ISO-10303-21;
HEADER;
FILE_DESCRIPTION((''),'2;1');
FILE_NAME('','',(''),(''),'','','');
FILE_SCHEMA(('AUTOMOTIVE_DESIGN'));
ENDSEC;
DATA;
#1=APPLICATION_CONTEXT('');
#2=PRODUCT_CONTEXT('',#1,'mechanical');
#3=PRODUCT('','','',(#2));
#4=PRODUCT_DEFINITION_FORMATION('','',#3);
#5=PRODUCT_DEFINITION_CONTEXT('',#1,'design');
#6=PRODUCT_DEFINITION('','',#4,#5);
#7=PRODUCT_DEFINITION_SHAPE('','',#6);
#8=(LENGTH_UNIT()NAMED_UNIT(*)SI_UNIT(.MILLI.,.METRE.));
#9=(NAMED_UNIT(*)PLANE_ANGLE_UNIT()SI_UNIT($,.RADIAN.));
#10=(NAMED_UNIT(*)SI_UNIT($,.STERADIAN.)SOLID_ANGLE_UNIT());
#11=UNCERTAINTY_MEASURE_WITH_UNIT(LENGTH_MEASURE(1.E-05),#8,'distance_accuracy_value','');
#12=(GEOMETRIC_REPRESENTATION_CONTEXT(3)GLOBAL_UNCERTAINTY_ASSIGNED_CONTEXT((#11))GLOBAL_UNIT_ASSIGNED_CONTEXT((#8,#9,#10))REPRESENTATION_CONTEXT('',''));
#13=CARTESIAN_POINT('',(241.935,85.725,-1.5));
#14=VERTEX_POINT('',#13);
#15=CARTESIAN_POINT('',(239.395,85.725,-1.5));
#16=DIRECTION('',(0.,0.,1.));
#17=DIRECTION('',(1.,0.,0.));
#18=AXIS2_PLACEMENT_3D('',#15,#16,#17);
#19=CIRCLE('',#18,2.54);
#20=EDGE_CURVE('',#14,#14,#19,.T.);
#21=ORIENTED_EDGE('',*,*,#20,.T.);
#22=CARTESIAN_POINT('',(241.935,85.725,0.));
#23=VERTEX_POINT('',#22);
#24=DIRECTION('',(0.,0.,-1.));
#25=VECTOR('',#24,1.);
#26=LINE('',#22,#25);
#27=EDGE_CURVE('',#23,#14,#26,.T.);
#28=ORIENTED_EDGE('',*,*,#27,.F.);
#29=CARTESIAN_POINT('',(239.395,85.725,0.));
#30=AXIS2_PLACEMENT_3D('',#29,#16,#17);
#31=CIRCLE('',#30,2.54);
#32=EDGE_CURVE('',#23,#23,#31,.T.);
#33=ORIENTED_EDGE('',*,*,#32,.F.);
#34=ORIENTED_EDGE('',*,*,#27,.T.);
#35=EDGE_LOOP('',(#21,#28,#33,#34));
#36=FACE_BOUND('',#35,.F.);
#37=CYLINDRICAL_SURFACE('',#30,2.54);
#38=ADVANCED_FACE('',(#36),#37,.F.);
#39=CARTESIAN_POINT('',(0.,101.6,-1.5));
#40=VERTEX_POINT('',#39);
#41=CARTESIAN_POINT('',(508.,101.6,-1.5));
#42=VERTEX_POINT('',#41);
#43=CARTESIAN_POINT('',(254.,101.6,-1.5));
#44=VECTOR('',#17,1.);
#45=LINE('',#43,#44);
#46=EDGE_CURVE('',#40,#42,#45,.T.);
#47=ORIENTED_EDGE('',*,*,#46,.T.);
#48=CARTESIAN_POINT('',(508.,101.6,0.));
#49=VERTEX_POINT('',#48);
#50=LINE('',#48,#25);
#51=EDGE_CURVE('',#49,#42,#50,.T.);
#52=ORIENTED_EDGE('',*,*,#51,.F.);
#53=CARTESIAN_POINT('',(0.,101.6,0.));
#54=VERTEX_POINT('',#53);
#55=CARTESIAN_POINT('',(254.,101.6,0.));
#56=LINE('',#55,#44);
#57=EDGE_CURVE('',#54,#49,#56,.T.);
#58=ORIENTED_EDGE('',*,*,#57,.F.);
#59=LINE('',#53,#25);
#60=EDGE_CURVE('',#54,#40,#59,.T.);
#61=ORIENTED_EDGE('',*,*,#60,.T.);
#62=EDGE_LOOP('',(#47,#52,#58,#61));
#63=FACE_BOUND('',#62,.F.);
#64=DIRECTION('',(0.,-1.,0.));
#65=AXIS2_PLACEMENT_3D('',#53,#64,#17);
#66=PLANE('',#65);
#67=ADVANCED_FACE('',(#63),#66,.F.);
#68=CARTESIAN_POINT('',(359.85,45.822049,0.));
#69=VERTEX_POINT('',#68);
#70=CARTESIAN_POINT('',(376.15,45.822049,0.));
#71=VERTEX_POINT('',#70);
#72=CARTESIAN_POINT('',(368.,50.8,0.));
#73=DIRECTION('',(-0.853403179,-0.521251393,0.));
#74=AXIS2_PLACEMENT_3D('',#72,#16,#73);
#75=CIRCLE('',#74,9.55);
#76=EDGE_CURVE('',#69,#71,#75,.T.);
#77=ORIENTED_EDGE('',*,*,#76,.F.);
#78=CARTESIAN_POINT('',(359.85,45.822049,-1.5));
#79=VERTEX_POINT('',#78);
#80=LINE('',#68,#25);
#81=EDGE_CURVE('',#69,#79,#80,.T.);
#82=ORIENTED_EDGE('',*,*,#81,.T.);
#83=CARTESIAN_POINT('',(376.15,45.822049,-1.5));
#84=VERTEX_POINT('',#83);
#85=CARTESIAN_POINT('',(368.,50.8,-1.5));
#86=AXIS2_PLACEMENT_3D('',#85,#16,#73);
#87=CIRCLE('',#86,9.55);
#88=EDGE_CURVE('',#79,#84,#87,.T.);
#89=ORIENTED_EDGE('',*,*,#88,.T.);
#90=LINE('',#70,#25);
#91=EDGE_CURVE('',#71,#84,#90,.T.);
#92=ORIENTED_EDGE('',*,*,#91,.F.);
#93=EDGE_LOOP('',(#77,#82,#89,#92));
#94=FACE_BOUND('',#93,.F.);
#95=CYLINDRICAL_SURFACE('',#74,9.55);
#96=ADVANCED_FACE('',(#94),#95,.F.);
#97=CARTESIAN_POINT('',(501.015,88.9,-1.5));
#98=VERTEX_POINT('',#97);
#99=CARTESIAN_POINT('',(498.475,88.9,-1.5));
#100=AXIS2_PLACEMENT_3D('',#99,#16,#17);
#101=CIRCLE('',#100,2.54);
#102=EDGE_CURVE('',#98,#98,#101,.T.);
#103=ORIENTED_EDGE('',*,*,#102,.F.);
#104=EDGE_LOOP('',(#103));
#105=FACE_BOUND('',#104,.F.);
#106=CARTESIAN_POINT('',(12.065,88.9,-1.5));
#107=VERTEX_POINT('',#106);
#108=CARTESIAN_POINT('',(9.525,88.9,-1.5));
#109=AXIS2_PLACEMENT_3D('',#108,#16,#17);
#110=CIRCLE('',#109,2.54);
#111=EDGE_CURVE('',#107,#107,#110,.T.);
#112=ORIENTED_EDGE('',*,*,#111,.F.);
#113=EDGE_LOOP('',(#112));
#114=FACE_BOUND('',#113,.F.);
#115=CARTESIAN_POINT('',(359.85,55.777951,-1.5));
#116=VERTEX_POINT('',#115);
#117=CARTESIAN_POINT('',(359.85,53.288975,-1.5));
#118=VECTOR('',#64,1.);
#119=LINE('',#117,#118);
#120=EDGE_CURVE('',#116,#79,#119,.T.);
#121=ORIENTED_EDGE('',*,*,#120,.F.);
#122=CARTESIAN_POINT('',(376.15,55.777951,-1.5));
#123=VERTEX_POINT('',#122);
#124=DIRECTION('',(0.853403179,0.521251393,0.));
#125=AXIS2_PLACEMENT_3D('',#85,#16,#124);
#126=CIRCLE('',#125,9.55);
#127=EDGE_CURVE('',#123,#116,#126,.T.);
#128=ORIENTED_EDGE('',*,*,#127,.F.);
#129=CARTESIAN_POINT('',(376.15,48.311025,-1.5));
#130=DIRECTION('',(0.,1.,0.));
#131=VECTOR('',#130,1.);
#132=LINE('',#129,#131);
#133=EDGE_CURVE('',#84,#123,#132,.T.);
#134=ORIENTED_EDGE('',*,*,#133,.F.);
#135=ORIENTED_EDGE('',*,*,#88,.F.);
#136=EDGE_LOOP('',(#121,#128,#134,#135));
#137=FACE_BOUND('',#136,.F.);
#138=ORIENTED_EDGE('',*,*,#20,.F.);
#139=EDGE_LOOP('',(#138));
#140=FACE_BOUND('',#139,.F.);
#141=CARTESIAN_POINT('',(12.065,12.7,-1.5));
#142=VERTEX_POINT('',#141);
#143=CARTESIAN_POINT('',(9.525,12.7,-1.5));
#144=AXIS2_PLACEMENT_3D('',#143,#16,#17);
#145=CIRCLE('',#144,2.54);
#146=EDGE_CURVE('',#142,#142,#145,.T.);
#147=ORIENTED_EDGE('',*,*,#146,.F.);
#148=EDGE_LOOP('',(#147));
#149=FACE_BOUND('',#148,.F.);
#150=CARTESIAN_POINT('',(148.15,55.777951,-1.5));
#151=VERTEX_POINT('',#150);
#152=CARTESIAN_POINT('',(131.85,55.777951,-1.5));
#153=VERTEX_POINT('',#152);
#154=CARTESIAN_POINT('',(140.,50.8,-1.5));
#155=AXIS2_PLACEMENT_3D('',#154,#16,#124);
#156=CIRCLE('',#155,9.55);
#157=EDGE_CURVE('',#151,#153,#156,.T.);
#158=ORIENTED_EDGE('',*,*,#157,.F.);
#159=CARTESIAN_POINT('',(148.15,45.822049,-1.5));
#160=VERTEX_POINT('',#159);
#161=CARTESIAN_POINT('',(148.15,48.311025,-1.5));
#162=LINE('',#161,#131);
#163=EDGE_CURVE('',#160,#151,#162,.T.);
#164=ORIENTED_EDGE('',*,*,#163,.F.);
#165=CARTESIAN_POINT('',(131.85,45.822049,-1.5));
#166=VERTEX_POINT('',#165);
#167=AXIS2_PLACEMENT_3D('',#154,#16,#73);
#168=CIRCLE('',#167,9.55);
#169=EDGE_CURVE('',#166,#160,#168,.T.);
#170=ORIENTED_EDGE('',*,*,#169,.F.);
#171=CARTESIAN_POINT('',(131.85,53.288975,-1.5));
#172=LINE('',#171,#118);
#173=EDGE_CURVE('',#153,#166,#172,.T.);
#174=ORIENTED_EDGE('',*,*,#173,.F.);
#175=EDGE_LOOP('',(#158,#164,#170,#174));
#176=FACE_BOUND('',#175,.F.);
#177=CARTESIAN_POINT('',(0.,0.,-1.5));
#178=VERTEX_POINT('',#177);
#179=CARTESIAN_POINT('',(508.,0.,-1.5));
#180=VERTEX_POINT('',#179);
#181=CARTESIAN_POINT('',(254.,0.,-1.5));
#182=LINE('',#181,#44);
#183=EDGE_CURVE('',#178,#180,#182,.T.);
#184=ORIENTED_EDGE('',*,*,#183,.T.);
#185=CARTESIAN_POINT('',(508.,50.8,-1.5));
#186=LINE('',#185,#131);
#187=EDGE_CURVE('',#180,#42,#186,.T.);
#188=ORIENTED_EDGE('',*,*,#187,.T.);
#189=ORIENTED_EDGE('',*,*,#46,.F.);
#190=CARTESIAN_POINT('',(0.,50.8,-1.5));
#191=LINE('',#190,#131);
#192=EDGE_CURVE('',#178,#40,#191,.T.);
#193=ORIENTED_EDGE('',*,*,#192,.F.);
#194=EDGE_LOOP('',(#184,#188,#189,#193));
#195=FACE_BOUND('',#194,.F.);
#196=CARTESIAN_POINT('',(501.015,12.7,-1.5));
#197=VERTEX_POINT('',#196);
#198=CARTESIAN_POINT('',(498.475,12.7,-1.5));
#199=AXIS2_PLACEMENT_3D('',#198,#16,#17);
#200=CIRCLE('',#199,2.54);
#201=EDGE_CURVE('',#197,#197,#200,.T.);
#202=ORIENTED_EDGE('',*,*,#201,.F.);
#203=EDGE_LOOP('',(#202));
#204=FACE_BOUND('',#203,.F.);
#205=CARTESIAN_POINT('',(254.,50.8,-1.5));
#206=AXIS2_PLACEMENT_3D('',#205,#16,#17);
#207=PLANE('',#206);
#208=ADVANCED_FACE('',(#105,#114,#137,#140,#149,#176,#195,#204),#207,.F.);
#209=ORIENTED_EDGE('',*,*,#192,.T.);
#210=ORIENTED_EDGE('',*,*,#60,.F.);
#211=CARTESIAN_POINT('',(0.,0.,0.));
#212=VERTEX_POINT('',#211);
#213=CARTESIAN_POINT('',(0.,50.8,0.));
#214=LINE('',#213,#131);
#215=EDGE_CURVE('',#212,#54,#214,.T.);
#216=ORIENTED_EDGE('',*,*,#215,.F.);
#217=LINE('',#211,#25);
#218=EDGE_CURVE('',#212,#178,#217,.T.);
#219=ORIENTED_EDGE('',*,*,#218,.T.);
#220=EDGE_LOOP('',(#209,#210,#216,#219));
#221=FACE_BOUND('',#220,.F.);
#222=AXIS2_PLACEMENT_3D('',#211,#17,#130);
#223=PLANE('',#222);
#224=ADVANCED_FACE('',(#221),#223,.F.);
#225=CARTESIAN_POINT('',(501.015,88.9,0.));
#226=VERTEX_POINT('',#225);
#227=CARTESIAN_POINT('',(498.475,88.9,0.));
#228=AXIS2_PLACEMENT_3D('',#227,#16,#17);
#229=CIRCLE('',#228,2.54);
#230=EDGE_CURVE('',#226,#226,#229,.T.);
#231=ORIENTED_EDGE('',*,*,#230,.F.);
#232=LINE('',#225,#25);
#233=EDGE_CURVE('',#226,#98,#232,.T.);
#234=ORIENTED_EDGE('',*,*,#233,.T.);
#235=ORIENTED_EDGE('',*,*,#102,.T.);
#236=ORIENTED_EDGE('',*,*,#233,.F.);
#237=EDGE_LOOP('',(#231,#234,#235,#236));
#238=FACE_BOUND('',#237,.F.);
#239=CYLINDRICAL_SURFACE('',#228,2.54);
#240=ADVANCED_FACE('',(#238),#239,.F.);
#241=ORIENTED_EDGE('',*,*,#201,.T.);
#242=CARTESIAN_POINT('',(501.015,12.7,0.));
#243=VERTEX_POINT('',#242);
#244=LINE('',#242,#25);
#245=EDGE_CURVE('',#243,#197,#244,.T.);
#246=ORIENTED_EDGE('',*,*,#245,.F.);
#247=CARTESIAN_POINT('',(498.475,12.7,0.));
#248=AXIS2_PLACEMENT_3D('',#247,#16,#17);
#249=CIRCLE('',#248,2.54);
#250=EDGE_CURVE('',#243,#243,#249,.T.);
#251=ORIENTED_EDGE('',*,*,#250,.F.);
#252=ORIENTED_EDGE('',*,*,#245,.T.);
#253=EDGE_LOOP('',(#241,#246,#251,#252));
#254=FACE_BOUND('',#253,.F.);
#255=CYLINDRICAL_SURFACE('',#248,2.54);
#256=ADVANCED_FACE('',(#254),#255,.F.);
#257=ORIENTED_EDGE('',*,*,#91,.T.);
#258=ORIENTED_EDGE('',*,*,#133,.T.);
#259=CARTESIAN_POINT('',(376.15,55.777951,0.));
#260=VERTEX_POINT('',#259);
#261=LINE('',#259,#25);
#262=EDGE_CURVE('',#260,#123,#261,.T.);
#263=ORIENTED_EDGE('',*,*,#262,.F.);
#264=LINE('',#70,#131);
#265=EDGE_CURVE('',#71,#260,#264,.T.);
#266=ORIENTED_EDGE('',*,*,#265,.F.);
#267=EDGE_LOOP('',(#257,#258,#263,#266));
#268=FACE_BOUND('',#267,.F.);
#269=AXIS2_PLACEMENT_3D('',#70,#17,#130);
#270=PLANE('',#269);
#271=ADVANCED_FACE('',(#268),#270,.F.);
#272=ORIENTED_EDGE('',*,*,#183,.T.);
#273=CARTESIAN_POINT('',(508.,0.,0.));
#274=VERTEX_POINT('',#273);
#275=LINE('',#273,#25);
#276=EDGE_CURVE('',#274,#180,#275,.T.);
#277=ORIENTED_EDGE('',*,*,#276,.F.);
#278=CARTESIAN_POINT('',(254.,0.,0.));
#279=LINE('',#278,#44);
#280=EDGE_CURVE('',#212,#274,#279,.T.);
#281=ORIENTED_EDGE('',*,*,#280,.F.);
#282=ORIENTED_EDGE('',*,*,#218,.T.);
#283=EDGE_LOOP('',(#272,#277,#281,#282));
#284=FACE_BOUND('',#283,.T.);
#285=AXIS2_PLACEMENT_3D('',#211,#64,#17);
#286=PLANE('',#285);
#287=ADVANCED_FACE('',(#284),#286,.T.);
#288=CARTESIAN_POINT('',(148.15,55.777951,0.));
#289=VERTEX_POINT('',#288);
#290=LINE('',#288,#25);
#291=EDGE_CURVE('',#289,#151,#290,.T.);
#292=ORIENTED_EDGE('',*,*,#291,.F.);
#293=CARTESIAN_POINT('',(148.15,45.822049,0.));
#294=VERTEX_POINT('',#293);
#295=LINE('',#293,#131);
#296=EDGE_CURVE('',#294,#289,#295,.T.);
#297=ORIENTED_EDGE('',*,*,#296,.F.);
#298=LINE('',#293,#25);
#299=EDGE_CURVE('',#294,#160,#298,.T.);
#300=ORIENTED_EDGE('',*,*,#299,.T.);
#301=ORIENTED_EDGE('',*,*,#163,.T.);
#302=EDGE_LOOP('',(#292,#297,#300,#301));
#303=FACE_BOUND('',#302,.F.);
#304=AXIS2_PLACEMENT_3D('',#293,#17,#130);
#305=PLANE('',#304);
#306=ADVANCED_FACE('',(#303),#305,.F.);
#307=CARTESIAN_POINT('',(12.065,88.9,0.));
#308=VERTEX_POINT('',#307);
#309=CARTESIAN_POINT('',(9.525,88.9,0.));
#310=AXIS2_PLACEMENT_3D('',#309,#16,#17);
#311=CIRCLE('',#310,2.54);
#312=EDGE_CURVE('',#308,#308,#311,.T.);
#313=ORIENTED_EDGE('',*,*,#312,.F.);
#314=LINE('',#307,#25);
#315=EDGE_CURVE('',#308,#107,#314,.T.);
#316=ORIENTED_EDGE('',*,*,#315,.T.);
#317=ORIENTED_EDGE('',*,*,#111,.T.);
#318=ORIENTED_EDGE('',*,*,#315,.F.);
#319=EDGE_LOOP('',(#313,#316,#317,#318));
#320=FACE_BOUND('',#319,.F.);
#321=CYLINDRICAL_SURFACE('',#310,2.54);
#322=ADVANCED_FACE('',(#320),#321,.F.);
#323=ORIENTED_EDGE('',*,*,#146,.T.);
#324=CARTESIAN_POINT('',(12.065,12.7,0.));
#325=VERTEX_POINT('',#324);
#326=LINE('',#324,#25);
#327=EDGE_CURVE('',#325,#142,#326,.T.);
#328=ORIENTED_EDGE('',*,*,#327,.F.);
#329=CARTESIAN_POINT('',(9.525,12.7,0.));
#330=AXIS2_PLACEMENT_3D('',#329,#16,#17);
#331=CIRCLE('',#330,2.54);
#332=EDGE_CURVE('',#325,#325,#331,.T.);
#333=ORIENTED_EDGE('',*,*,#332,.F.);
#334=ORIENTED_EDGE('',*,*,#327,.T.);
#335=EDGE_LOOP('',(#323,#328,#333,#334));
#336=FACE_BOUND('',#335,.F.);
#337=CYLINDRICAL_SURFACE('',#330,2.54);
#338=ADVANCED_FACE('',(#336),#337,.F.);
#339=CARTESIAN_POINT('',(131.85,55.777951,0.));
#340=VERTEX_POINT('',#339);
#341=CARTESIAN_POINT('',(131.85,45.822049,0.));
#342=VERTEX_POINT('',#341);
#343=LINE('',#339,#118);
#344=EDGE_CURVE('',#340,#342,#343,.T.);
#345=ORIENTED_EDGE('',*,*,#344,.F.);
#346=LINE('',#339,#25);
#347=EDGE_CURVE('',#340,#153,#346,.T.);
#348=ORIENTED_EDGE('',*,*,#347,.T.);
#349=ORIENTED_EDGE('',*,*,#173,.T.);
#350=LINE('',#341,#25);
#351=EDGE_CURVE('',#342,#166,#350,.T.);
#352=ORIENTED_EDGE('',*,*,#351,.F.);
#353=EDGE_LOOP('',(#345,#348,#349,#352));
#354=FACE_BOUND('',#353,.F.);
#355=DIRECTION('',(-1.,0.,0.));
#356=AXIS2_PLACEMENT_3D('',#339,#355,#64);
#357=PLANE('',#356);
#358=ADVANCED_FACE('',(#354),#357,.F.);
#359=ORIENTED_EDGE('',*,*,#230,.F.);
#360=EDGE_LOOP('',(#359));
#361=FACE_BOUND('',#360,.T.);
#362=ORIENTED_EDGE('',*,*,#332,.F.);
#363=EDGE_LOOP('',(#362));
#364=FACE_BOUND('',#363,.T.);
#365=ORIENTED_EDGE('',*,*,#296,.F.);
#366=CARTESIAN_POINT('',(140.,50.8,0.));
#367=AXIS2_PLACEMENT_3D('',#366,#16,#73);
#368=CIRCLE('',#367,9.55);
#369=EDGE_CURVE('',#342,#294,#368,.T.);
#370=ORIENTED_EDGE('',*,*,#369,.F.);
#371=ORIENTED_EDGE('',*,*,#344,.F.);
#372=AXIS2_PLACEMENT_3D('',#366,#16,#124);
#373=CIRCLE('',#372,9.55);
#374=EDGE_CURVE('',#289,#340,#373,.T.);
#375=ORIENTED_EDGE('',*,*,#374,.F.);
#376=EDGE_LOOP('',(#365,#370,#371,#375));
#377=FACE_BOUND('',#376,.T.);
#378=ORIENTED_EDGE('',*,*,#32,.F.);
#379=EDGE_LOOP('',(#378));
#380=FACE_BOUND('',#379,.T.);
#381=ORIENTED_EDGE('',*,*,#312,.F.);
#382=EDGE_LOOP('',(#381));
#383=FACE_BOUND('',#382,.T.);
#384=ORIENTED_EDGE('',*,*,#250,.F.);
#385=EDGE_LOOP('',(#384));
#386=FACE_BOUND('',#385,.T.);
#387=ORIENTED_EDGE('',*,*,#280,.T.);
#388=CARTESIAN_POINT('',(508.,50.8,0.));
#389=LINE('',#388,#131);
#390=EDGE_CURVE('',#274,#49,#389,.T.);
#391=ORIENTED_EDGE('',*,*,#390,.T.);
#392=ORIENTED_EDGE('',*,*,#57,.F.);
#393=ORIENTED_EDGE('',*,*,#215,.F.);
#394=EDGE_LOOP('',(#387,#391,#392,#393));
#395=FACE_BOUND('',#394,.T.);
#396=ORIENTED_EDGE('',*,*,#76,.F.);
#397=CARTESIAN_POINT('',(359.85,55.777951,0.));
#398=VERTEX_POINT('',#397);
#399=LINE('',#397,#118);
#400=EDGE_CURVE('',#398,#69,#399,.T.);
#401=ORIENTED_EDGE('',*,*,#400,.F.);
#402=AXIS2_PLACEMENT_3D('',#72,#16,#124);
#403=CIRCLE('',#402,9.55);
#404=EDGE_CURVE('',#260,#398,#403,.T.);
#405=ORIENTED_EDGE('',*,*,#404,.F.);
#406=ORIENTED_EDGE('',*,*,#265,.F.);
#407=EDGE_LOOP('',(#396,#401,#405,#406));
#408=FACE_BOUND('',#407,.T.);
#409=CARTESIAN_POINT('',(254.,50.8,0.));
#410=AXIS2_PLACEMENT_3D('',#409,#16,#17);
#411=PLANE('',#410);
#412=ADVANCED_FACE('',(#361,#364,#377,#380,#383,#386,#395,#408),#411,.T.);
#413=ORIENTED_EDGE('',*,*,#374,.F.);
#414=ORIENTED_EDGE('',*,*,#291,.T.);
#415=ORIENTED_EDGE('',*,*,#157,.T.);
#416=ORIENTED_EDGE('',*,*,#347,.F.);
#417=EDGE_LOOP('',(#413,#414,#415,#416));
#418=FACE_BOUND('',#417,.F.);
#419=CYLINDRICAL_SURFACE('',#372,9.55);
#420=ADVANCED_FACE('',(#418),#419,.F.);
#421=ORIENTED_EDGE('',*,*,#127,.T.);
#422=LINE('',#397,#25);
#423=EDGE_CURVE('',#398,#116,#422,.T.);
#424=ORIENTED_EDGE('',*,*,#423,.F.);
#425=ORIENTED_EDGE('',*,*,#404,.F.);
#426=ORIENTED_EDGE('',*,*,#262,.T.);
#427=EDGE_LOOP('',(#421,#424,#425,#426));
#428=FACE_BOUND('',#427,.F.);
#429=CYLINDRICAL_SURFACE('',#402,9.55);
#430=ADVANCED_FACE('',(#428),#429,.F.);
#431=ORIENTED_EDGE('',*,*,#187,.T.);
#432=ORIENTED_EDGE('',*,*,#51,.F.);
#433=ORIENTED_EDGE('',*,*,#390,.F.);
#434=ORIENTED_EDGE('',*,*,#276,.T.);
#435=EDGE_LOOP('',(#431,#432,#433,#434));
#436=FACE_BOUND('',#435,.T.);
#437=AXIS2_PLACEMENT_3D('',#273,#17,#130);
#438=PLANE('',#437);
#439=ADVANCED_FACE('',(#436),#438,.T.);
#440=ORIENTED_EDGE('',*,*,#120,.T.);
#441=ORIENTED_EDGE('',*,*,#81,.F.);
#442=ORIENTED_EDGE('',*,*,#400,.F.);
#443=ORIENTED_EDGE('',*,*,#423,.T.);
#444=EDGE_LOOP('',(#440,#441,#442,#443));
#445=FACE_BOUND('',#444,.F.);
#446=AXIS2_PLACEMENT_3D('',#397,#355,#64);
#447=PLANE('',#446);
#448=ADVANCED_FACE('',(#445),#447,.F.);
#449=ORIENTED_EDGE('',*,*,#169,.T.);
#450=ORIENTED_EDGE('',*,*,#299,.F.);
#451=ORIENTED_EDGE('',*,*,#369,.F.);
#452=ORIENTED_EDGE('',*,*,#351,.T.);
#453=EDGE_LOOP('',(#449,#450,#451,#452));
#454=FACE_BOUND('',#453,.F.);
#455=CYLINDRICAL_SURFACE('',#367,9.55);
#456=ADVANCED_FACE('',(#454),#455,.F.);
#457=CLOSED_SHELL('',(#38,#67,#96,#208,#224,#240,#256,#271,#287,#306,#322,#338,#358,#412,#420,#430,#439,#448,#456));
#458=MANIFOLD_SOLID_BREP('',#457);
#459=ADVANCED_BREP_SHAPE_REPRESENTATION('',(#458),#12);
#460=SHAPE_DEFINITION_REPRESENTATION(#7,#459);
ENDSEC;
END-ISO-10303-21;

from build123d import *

# Parameters (mm, degrees)
F0_W     = 508
F0_H     = 101.6
F0_R     = 2.54
F1_DEPTH = 1.5
F3_DEPTH = 25


with BuildPart() as f1:
    # F0 (on Top) → F1 (new body)
    with BuildSketch(Plane.XY):
        with Locations((254, 50.8)):
            Rectangle(F0_W, F0_H)
        with Locations((9.525, 12.7)):
            Circle(F0_R, mode=Mode.SUBTRACT)
        with Locations((498.475, 12.7)):
            Circle(F0_R, mode=Mode.SUBTRACT)
        with Locations((9.525, 88.9)):
            Circle(F0_R, mode=Mode.SUBTRACT)
        with Locations((239.395, 85.725)):
            Circle(F0_R, mode=Mode.SUBTRACT)
        with Locations((498.475, 88.9)):
            Circle(F0_R, mode=Mode.SUBTRACT)
    extrude(amount=-F1_DEPTH)

    # F2 (on Top) → F3 (cut)
    with BuildSketch(Plane.XY):
        with BuildLine():
            Line((148.15, 45.822049), (148.15, 55.777951))
            ThreePointArc((148.15, 55.777951), (140, 60.35), (131.85, 55.777951))
            Line((131.85, 55.777951), (131.85, 45.822049))
            ThreePointArc((131.85, 45.822049), (140, 41.25), (148.15, 45.822049))
        make_face()
        with BuildLine():
            Line((376.15, 45.822049), (376.15, 55.777951))
            ThreePointArc((376.15, 55.777951), (368, 60.35), (359.85, 55.777951))
            Line((359.85, 55.777951), (359.85, 45.822049))
            ThreePointArc((359.85, 45.822049), (368, 41.25), (376.15, 45.822049))
        make_face()
    extrude(amount=-F3_DEPTH, mode=Mode.SUBTRACT)


solid = f1.part
